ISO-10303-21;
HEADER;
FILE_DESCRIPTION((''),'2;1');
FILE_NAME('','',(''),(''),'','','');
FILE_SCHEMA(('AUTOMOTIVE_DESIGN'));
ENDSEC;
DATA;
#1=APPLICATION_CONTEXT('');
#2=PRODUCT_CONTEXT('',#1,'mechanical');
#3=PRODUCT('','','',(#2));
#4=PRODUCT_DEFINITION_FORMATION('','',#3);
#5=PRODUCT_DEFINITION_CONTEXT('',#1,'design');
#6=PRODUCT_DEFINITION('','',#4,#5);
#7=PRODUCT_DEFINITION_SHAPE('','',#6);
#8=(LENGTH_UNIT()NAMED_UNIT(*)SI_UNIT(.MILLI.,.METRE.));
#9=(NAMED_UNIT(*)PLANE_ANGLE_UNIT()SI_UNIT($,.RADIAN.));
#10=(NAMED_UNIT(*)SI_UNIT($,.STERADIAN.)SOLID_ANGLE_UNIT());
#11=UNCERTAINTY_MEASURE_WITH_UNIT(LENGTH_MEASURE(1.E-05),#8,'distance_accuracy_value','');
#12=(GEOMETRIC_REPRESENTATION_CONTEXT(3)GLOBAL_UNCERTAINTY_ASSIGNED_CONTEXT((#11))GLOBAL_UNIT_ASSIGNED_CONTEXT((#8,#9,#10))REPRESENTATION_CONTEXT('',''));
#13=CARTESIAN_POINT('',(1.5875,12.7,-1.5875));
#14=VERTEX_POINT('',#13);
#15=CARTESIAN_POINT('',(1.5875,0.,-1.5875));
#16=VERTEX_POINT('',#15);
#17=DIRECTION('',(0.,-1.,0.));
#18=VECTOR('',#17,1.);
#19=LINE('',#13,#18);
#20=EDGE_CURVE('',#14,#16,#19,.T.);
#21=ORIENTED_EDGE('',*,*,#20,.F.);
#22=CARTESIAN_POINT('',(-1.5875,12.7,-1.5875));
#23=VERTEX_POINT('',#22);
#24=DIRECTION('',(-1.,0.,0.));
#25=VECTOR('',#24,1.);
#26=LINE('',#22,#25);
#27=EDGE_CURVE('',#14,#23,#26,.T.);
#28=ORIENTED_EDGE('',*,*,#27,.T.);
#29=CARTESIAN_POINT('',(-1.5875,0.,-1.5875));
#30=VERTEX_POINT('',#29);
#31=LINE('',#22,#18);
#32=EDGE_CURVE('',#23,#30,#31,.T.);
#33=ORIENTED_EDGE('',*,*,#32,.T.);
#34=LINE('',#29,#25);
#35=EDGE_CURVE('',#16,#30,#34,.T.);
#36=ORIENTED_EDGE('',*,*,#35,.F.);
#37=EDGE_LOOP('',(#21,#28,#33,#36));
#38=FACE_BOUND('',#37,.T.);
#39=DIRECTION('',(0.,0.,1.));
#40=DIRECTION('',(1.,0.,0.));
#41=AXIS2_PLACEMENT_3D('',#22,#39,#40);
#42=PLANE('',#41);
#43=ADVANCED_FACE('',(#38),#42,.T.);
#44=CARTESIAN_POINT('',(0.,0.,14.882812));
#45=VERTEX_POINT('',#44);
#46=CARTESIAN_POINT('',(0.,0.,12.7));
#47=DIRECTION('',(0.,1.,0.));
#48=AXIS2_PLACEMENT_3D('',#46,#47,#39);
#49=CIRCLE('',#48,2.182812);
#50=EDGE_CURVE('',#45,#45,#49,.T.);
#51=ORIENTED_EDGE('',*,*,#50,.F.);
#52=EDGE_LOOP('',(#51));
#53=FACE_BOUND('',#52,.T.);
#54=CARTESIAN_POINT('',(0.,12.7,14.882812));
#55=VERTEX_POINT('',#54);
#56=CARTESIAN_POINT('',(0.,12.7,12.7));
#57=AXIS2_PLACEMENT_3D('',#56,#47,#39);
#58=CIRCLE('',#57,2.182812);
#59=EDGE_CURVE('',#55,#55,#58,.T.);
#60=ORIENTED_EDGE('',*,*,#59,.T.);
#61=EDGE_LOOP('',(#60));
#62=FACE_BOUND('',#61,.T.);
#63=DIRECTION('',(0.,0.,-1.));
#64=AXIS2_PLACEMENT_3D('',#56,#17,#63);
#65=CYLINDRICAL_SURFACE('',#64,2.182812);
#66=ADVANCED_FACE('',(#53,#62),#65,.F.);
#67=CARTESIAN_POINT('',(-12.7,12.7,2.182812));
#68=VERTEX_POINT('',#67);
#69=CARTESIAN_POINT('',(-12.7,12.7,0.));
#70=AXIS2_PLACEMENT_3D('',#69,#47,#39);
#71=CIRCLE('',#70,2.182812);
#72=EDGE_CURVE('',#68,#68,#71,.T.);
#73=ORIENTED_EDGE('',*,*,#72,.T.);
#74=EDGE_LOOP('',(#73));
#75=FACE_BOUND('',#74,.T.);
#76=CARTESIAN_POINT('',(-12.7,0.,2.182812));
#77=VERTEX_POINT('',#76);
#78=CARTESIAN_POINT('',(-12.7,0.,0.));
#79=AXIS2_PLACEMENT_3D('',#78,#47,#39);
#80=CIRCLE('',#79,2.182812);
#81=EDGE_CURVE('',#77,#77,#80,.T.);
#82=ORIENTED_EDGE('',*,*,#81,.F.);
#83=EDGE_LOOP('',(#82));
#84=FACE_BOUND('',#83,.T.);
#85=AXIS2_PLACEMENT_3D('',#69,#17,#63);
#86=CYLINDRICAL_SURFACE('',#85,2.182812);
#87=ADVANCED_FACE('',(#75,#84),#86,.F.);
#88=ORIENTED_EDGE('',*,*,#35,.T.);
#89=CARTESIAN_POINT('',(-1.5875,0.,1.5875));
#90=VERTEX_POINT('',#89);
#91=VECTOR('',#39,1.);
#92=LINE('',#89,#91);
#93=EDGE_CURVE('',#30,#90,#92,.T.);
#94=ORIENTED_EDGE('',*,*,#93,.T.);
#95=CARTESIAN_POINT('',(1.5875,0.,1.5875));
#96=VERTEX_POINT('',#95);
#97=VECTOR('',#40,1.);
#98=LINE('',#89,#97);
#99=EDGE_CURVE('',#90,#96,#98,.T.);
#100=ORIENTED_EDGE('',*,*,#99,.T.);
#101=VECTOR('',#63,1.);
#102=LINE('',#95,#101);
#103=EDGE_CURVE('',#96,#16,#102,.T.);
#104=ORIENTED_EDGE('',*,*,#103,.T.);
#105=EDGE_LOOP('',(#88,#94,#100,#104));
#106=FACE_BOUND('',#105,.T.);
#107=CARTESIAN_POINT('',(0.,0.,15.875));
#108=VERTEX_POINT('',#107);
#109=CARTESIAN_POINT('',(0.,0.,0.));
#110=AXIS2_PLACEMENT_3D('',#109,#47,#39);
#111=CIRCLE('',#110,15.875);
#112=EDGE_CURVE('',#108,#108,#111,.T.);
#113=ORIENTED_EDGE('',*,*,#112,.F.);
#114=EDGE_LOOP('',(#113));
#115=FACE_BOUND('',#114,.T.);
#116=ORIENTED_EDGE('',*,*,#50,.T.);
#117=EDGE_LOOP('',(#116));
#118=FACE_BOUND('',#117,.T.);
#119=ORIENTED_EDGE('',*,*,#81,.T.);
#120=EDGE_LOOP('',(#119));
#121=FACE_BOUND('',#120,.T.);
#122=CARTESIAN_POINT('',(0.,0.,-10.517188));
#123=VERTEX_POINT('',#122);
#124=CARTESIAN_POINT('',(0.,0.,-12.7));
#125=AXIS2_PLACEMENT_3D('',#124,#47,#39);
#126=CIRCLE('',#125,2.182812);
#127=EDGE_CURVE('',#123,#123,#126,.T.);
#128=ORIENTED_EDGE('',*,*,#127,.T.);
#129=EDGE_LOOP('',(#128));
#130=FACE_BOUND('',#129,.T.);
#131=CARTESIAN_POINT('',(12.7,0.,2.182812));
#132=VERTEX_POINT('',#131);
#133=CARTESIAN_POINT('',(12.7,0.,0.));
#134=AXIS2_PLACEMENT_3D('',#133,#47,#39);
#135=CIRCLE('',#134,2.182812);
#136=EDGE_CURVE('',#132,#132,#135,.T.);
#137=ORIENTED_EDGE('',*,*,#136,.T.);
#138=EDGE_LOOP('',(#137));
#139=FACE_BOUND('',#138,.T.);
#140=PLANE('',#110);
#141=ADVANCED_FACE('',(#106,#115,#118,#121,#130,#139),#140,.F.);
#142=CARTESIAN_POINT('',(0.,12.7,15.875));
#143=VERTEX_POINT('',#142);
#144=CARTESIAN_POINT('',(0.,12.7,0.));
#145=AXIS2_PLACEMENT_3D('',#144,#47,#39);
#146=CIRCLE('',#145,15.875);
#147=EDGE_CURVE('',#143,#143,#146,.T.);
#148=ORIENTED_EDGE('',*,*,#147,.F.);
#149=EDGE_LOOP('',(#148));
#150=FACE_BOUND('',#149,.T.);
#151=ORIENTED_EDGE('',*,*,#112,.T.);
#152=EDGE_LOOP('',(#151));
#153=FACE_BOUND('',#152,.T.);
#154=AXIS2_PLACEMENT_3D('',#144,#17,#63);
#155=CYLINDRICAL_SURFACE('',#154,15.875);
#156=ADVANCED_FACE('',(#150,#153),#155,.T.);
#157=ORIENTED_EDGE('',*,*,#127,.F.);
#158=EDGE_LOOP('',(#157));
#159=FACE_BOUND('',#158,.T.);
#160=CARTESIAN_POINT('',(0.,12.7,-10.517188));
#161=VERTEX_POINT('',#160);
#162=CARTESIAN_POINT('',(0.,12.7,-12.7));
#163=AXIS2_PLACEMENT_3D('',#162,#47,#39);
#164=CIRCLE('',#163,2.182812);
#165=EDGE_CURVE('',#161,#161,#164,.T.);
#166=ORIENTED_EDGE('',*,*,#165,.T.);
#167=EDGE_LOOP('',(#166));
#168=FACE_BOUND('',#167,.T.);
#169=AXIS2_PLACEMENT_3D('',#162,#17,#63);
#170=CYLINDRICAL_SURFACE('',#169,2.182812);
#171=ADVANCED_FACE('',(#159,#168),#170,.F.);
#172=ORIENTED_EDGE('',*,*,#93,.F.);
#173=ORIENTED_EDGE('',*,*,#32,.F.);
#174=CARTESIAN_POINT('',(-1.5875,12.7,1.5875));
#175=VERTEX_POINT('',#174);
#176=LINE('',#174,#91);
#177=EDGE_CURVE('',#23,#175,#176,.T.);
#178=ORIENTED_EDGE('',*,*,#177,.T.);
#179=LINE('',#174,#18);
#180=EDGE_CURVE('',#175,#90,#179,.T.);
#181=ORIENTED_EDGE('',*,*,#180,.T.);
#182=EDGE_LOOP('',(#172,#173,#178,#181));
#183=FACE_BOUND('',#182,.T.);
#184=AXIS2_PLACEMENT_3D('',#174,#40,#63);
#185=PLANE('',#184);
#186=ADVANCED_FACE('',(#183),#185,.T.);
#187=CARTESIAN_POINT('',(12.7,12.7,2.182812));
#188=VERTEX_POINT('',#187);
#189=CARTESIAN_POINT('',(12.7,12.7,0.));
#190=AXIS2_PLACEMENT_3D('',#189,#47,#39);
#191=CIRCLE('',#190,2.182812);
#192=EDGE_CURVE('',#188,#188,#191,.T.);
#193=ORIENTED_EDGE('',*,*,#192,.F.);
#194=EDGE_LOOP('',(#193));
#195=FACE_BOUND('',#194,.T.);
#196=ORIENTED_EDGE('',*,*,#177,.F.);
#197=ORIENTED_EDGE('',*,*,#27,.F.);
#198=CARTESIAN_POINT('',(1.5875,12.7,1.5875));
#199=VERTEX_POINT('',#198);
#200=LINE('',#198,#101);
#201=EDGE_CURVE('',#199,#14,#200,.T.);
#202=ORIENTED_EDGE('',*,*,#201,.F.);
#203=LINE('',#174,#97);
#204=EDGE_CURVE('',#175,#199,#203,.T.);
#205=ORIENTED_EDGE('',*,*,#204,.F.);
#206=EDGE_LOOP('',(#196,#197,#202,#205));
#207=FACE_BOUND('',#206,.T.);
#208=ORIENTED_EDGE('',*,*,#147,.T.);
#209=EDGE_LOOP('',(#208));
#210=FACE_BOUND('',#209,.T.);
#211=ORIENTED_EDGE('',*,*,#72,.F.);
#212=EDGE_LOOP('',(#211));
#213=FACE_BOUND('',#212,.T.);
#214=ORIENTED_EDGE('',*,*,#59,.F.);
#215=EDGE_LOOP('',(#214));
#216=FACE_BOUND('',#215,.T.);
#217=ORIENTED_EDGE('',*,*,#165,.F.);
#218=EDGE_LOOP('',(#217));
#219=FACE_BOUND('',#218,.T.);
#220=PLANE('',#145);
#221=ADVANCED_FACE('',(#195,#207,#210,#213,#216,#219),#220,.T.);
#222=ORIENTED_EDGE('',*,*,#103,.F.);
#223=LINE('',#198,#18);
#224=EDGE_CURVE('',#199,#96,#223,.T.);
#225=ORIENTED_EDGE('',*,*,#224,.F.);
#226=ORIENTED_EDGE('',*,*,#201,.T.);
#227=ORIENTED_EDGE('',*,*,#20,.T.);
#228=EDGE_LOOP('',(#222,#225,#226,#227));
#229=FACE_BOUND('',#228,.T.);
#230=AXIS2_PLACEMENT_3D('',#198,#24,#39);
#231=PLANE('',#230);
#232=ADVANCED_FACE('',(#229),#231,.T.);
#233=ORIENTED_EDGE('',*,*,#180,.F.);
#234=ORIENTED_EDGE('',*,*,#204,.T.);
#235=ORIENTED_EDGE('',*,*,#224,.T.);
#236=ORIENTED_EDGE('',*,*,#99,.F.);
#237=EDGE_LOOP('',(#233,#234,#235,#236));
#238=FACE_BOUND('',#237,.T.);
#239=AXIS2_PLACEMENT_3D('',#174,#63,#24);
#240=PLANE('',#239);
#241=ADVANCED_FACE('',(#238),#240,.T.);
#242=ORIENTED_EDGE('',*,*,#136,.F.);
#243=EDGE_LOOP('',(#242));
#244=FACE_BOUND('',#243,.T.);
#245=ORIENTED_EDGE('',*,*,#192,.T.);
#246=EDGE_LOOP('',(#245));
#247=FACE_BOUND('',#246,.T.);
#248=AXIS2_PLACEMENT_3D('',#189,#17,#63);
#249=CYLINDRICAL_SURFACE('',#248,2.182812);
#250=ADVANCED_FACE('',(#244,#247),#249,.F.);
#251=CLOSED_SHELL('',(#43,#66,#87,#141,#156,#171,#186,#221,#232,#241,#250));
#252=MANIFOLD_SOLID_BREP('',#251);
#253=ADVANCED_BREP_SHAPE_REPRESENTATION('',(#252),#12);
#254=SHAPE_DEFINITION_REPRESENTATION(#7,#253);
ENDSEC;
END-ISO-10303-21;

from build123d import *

# Parameters (mm, degrees)
SKETCH1_R           = 15.875
SKETCH1_R_2         = 2.1828125
SKETCH1_W           = 3.175
SKETCH1_H           = 3.175
BOSS_EXTRUDE1_DEPTH = 12.7


with BuildPart() as part:
    # Sketch1 → Boss-Extrude1 (new body)
    with BuildSketch(Plane(origin=(0, 0, 0), x_dir=(1, 0, 0), z_dir=(0, 1, 0))):
        with Locations(Location((0, 0, 0), (0, 0, 270))):
            Circle(SKETCH1_R)
        with Locations(Location((12.7, 0, 0), (0, 0, 270))):
            Circle(SKETCH1_R_2, mode=Mode.SUBTRACT)
        with Locations(Location((-12.7, 0, 0), (0, 0, 270))):
            Circle(SKETCH1_R_2, mode=Mode.SUBTRACT)
        with Locations(Location((0, 12.7, 0), (0, 0, 270))):
            Circle(SKETCH1_R_2, mode=Mode.SUBTRACT)
        with Locations(Location((0, -12.7, 0), (0, 0, 270))):
            Circle(SKETCH1_R_2, mode=Mode.SUBTRACT)
        Rectangle(SKETCH1_W, SKETCH1_H, mode=Mode.SUBTRACT)
    extrude(amount=BOSS_EXTRUDE1_DEPTH)


solid = part.part
